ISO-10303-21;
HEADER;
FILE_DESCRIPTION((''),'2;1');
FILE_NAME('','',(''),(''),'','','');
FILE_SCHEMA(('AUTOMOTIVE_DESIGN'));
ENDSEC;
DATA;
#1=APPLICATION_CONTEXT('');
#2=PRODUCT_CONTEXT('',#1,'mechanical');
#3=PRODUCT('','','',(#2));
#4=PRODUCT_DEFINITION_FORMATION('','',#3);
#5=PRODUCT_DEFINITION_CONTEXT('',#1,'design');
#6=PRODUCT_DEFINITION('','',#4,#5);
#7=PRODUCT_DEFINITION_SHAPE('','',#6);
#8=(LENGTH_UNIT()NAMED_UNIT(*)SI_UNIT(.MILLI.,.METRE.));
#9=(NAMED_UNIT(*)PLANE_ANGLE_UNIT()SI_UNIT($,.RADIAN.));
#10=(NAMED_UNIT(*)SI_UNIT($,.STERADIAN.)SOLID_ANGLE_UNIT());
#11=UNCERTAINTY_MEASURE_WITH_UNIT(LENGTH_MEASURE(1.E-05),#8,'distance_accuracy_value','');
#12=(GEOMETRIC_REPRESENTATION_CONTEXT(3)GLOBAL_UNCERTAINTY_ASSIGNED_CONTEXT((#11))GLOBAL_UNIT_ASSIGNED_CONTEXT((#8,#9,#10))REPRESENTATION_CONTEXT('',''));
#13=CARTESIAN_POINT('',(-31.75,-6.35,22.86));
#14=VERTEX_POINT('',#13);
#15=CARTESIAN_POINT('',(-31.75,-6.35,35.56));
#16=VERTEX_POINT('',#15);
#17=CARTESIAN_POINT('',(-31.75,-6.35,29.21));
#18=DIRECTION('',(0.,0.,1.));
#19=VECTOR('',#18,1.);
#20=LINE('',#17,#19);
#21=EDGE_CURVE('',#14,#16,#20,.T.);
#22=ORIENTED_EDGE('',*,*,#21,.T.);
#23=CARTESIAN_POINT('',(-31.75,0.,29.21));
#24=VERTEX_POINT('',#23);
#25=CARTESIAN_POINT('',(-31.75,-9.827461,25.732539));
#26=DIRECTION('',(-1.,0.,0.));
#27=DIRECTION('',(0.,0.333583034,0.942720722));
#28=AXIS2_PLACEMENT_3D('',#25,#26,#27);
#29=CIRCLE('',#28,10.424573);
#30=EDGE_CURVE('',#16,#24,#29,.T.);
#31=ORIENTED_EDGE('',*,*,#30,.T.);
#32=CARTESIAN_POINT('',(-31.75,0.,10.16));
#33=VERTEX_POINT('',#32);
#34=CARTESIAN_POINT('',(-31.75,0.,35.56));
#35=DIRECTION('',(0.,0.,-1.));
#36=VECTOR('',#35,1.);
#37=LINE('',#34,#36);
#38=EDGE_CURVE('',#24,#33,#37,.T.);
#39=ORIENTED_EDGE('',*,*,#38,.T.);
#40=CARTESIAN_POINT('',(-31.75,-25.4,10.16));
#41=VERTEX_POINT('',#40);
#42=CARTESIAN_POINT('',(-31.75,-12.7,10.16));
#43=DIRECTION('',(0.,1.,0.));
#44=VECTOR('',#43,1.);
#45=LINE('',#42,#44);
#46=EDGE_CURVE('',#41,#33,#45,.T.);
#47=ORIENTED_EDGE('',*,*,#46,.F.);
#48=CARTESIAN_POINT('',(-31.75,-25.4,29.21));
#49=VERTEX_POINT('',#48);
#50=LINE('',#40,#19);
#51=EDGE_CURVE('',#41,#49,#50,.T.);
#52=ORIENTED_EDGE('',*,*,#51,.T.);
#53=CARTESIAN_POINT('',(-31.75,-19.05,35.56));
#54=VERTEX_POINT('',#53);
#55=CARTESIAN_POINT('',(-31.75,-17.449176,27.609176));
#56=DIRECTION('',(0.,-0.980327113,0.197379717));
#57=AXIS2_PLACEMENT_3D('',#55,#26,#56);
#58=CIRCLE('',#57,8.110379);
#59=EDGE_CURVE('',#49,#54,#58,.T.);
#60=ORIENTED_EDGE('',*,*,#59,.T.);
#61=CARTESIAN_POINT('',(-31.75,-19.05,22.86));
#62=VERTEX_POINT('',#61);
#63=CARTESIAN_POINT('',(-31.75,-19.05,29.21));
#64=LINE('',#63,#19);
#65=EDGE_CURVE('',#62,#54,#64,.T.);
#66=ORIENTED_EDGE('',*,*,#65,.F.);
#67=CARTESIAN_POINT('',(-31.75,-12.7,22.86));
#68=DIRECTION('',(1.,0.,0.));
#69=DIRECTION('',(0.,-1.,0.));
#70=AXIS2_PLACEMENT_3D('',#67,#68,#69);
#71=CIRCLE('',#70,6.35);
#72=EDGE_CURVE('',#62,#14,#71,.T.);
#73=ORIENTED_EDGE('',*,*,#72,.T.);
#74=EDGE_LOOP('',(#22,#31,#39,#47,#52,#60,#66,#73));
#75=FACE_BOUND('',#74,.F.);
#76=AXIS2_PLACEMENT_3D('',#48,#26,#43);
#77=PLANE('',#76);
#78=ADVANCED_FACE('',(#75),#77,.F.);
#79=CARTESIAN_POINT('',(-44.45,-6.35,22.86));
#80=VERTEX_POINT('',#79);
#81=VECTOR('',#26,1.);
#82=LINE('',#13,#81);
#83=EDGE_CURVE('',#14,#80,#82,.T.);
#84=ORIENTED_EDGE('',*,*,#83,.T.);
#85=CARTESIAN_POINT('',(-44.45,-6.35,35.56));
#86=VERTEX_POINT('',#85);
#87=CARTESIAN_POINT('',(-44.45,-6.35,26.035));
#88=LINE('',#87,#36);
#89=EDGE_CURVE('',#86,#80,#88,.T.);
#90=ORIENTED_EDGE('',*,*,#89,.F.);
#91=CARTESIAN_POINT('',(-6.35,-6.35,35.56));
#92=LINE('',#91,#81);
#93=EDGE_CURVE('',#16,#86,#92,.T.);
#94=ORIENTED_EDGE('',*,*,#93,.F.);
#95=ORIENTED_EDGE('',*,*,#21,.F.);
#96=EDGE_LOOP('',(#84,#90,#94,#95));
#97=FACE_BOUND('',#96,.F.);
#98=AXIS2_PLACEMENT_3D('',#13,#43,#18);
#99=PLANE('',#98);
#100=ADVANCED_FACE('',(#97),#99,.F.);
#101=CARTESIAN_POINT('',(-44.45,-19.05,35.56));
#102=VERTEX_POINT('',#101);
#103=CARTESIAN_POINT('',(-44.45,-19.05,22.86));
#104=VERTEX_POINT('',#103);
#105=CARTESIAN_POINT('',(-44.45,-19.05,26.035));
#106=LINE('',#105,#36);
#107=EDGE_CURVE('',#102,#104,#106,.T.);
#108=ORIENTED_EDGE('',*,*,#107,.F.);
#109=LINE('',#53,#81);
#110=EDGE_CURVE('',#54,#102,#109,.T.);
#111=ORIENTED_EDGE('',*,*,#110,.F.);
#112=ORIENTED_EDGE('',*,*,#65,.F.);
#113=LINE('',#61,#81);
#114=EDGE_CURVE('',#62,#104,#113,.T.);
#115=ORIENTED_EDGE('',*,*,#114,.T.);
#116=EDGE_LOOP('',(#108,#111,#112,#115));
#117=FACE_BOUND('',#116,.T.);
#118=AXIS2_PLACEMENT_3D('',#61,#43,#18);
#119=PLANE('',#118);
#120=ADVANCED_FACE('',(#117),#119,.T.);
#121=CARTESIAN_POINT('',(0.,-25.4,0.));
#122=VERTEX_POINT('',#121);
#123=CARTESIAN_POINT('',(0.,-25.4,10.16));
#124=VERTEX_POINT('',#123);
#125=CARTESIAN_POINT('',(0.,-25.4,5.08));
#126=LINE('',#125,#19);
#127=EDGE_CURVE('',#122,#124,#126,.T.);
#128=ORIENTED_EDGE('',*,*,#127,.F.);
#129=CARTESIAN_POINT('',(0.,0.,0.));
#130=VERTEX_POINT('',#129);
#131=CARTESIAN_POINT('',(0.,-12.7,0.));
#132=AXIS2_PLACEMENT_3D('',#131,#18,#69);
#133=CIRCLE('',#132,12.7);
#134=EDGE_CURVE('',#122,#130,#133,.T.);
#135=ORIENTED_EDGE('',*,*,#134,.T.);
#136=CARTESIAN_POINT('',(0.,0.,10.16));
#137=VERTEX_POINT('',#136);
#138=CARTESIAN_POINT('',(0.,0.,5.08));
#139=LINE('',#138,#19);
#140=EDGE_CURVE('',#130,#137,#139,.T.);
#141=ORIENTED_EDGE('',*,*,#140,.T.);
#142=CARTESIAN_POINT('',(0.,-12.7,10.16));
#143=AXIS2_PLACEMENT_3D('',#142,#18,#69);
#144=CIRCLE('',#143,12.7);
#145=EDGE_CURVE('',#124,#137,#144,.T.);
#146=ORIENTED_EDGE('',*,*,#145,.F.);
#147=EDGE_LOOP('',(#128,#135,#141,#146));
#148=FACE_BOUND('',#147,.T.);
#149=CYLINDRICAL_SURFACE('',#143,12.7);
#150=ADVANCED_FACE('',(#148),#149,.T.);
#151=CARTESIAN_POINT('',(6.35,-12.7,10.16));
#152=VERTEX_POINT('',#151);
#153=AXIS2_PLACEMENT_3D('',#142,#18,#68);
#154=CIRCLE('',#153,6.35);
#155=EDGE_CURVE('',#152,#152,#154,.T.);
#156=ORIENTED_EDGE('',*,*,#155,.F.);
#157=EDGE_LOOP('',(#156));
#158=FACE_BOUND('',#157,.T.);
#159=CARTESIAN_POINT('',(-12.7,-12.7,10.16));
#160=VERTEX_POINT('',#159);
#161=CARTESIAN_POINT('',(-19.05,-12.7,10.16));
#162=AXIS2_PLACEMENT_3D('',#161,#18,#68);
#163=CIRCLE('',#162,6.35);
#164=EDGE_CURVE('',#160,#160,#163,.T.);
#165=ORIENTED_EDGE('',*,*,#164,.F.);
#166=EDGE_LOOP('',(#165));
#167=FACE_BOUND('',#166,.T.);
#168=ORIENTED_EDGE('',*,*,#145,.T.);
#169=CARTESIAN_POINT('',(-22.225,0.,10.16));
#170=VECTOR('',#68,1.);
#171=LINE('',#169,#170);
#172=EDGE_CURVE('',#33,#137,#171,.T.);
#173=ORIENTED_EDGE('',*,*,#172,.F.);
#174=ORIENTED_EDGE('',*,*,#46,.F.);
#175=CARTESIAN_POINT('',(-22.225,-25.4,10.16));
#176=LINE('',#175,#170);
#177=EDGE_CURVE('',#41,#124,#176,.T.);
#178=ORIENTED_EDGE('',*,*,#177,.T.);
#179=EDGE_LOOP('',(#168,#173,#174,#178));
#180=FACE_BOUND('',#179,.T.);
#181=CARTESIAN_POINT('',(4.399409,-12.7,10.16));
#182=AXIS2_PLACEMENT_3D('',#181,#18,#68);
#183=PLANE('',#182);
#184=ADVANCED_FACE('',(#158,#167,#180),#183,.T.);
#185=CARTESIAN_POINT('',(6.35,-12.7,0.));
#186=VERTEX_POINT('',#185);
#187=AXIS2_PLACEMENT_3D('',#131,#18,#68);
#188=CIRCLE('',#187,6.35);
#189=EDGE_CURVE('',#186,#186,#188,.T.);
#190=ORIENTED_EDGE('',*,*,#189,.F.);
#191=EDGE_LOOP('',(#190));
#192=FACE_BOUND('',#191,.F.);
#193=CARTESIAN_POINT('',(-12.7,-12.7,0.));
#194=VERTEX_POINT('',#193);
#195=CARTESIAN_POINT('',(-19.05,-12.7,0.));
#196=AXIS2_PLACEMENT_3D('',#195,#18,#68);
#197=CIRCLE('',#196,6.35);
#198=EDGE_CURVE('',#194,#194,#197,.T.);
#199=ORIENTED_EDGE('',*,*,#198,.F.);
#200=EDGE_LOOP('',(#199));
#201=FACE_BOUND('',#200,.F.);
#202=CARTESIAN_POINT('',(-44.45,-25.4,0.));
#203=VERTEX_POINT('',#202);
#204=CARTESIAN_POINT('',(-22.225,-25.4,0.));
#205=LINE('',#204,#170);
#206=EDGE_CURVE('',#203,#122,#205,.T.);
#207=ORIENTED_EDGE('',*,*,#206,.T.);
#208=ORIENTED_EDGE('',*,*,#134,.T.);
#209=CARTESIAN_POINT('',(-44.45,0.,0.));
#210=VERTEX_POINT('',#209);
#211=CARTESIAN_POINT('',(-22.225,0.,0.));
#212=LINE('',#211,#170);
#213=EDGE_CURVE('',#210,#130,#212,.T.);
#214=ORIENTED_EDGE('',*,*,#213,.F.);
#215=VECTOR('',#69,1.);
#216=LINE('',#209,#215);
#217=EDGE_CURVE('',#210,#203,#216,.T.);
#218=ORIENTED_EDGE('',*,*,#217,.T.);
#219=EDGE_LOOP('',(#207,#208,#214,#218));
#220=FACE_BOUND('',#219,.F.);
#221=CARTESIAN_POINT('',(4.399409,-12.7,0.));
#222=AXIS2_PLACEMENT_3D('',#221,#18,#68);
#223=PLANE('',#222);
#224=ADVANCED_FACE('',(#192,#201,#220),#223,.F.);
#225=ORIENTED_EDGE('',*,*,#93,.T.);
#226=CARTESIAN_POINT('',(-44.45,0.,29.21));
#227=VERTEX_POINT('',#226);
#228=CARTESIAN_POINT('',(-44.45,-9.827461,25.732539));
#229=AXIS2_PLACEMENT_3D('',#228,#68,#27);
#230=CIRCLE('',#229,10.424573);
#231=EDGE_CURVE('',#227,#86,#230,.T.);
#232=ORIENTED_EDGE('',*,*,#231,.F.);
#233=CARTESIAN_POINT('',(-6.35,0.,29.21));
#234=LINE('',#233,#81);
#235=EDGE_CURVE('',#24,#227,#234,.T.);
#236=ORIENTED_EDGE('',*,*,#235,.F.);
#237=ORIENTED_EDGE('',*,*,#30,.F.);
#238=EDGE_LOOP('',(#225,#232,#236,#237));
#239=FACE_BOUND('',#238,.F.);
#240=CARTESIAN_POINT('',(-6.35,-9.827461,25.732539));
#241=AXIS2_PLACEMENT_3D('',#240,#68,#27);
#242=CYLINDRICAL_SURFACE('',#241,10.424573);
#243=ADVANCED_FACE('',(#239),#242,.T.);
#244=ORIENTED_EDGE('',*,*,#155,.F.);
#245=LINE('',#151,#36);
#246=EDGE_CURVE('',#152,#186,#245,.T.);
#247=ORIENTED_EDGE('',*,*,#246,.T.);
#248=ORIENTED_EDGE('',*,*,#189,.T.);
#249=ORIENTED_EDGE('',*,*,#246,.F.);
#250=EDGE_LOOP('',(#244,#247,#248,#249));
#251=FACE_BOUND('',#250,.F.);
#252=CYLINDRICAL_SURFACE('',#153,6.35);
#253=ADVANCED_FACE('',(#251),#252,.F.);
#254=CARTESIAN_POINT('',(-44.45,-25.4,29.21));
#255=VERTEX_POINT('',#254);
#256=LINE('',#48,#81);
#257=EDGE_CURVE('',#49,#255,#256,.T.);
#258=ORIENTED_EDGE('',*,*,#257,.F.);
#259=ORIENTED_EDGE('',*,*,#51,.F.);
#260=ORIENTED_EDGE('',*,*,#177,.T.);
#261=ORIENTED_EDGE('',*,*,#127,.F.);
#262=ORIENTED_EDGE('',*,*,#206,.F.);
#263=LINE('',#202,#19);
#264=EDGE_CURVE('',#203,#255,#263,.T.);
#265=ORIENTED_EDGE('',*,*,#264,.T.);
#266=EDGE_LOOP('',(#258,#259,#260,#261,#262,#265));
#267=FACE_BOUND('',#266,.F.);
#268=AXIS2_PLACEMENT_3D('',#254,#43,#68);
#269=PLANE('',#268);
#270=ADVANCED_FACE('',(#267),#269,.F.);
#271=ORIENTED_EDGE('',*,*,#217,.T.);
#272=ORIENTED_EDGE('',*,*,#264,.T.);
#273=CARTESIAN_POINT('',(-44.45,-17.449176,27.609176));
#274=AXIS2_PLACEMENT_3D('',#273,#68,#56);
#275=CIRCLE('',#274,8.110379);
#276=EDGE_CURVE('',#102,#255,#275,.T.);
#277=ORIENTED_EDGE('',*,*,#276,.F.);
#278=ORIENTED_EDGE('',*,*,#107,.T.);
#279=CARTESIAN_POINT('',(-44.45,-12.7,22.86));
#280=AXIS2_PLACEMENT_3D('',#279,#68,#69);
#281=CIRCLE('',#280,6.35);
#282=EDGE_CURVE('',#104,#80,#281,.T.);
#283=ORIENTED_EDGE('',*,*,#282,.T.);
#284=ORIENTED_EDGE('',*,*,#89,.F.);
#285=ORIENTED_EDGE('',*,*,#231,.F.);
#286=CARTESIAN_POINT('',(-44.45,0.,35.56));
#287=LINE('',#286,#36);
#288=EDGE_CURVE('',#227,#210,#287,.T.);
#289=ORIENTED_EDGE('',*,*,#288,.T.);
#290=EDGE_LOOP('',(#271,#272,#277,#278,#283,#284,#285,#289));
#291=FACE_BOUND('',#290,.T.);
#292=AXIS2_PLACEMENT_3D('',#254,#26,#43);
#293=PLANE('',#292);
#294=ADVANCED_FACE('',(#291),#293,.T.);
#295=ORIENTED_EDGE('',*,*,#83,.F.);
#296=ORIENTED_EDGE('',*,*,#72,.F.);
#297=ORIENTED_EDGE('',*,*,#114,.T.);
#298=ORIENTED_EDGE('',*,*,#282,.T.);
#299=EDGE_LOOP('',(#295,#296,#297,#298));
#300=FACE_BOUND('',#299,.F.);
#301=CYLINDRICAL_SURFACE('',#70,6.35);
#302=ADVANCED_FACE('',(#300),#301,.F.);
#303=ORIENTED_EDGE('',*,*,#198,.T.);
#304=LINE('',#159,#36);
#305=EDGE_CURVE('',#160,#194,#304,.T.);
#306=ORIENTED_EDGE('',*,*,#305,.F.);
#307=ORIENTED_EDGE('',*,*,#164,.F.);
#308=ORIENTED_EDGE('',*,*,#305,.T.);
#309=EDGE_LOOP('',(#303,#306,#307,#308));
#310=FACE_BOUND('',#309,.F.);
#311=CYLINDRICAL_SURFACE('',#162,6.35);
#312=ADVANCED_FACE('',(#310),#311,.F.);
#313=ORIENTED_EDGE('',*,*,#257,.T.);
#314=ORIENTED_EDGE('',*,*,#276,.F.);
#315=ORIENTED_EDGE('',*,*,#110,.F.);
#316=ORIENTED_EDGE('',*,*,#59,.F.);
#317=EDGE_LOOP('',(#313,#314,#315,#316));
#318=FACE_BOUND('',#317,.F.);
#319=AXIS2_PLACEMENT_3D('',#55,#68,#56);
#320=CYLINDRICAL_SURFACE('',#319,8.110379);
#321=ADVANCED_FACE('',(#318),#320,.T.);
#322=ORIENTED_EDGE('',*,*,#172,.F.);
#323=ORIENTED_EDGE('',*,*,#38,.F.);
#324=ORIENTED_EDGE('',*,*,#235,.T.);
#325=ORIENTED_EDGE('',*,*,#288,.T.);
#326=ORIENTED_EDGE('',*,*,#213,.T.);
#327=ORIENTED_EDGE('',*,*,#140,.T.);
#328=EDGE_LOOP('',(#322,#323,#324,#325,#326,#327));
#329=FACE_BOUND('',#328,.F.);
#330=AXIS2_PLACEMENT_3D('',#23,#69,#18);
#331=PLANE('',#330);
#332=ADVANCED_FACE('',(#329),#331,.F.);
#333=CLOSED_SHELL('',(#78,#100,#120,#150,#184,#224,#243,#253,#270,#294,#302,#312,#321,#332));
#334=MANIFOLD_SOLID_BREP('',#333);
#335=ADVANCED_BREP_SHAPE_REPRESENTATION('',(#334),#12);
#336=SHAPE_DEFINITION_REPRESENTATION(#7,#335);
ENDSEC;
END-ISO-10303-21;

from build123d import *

# Parameters (mm, degrees)
F0_W      = 44.45
F0_H      = 10.16
F1_DEPTH  = 25.4
F3_DEPTH  = 10.16
F4_W      = 12.7
F4_H      = 25.4
F5_DEPTH  = 19.05
F6_DEPTH  = 6.35
F9_DEPTH  = 25.4
F10_DEPTH = 25.4
F11_DEPTH = 50.8
F12_W     = 12.7
F12_H     = 12.7
F13_DEPTH = 25.4
F14_R     = 6.35
F15_DEPTH = 25.4
F16_R     = 6.35
F17_DEPTH = 25.4


with BuildPart() as f1:
    # F0 (on Front) → F1 (new body)
    with BuildSketch(Plane.XZ):
        with Locations((-22.225, 5.08)):
            Rectangle(F0_W, F0_H)
    extrude(amount=F1_DEPTH)

    # F2 (on face) → F3 (join)
    with BuildSketch(Plane.XY.offset(10.16)):
        with BuildLine():
            Line((0, 0), (0, -25.4))
            ThreePointArc((0, -25.4), (12.7, -12.7), (0, 0))
        make_face()
    extrude(amount=-F3_DEPTH)

    # F4 (on face) → F5 (join)
    with BuildSketch(Plane.XY.offset(10.16)):
        with Locations((-38.1, -12.7)):
            Rectangle(F4_W, F4_H)
    extrude(amount=F5_DEPTH)

    # F6 (add): a face of the model
    f6_faces = [f1.faces().sort_by_distance(p)[0] for p in [
        (-38.1, -12.7, 29.21),
    ]]
    extrude(f6_faces, amount=F6_DEPTH)

    # F7 (on face) → F9 (cut)
    with BuildSketch(Plane.YZ.offset(-31.75)):
        with BuildLine():
            ThreePointArc((-25.4, 29.21), (-23.1840796039, 33.3440796039), (-19.05, 35.56))
            Line((-19.05, 35.56), (-25.4, 35.56))
            Line((-25.4, 35.56), (-25.4, 29.21))
        make_face()
    extrude(amount=-F9_DEPTH, mode=Mode.SUBTRACT)

    # F8 (on face) → F10 (join)
    with BuildSketch(Plane.YZ.offset(-31.75)):
        with BuildLine():
            ThreePointArc((-6.35, 35.56), (-2.4561746111, 33.1038253889), (0, 29.21))
            Line((0, 29.21), (0, 35.56))
            Line((0, 35.56), (-6.35, 35.56))
        make_face()
    extrude(amount=F10_DEPTH)

    # F11 (cut): a face of the model
    f11_faces = [f1.faces().sort_by_distance(p)[0] for p in [
        (-6.35, -1.7790367602, 33.7809632398),
    ]]
    extrude(f11_faces, amount=-F11_DEPTH, mode=Mode.SUBTRACT)

    # F12 (on face) → F13 (cut)
    with BuildSketch(Plane.YZ.offset(-31.75)):
        with Locations((-12.7, 29.21)):
            Rectangle(F12_W, F12_H)
        with BuildLine():
            Line((-6.35, 22.86), (-19.05, 22.86))
            ThreePointArc((-19.05, 22.86), (-12.7, 16.51), (-6.35, 22.86))
        make_face()
    extrude(amount=-F13_DEPTH, mode=Mode.SUBTRACT)

    # F14 (on face) → F15 (cut)
    with BuildSketch(Plane.XY.offset(10.16)):
        with Locations((-19.05, -12.7)):
            Circle(F14_R)
    extrude(amount=-F15_DEPTH, mode=Mode.SUBTRACT)

    # F16 (on face) → F17 (cut)
    with BuildSketch(Plane.XY.offset(10.16)):
        with Locations((0, -12.7)):
            Circle(F16_R)
    extrude(amount=-F17_DEPTH, mode=Mode.SUBTRACT)


solid = f1.part
